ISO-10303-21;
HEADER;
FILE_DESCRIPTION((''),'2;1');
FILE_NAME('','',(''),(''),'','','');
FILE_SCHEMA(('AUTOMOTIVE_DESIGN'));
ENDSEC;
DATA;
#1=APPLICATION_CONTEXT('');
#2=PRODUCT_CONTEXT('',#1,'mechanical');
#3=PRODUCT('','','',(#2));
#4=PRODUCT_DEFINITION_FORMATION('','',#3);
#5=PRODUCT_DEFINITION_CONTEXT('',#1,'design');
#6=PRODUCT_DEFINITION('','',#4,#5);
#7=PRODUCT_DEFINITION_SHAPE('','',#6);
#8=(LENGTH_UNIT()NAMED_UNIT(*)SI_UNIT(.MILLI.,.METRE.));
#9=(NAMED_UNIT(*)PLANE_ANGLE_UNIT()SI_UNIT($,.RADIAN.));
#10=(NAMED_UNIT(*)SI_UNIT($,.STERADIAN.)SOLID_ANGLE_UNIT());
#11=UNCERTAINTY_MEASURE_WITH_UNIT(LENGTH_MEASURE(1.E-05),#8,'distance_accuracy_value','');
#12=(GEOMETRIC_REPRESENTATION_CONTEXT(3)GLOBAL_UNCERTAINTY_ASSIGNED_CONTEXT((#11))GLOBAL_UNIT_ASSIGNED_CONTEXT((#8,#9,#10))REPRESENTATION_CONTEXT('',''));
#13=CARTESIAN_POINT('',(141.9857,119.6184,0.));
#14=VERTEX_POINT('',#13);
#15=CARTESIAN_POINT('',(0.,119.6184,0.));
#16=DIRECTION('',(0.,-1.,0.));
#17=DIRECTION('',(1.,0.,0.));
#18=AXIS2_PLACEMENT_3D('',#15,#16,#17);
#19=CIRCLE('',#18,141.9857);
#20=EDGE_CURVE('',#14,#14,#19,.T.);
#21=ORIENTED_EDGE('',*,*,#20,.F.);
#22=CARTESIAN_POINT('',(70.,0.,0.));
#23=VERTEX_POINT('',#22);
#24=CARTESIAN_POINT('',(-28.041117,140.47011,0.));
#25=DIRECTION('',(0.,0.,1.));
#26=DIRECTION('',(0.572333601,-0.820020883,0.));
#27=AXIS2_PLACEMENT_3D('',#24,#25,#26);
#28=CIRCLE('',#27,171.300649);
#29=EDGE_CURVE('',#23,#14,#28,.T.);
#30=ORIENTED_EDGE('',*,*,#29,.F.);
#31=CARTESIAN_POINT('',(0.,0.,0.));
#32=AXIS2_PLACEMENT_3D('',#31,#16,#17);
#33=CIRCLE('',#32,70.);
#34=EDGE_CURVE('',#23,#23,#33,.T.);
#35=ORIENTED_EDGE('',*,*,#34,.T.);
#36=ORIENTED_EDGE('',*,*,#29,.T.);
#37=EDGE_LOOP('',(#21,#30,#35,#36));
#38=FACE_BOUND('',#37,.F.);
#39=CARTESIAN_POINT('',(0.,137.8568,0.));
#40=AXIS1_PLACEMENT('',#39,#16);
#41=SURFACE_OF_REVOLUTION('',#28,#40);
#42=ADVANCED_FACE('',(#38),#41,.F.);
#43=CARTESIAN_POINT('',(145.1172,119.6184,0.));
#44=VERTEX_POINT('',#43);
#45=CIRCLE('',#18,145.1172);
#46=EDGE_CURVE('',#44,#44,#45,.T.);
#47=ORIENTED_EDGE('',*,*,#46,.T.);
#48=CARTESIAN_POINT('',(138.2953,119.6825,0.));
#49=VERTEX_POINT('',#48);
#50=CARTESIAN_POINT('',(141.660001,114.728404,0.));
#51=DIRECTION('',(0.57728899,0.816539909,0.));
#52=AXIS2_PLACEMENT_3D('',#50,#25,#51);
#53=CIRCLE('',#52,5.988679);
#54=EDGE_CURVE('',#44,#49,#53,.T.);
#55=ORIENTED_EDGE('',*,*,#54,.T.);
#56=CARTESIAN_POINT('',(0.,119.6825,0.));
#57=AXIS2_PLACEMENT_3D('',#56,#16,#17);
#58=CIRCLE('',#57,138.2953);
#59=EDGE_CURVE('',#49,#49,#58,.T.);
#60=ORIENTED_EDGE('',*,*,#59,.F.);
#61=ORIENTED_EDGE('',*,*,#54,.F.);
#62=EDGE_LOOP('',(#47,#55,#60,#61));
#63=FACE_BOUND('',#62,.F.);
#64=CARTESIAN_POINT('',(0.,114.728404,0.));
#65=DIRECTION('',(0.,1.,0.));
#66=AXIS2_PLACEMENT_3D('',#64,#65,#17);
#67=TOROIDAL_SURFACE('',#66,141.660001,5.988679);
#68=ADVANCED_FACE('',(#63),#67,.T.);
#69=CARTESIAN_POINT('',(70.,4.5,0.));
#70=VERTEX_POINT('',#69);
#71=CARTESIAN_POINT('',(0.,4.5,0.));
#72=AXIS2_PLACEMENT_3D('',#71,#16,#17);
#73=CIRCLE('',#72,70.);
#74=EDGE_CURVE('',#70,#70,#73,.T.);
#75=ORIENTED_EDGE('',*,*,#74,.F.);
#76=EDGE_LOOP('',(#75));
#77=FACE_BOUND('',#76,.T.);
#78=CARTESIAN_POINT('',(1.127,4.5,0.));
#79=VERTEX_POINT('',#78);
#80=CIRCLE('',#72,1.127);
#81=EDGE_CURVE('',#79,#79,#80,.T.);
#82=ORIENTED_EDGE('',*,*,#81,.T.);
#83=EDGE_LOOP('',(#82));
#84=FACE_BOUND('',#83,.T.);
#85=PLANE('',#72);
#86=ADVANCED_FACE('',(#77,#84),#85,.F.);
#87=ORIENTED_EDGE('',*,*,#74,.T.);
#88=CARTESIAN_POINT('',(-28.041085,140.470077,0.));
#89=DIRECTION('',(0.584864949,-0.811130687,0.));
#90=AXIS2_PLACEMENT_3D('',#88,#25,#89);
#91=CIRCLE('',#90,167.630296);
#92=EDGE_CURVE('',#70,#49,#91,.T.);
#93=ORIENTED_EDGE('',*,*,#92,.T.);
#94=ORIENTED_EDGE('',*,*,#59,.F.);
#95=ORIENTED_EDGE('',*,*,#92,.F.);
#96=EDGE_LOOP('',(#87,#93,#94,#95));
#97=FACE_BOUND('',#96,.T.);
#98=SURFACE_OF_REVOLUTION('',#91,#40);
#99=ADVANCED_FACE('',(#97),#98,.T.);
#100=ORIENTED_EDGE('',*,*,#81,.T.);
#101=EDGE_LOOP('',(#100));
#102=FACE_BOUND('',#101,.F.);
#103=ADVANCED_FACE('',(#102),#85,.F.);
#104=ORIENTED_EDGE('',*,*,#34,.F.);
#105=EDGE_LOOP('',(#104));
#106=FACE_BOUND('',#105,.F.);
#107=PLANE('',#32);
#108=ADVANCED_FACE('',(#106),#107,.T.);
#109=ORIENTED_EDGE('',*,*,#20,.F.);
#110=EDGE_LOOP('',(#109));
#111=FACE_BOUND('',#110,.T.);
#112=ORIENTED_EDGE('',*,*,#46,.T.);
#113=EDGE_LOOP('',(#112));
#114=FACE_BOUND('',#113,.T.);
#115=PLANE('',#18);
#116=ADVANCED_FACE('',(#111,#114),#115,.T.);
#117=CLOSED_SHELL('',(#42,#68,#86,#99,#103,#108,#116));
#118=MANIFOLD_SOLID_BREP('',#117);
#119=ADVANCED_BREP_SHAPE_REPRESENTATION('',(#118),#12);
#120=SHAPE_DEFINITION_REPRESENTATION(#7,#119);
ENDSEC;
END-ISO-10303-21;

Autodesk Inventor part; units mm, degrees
ref_plane "YZ Plane" through (0, 0, 0) normal (1, 0, 0) x (0, 1, 0)
ref_plane "XZ Plane" through (0, 0, 0) normal (0, 1, 0) x (-1, 0, 0)
ref_plane "XY Plane" through (0, 0, 0) normal (0, 0, 1) x (1, 0, 0)
sketch "Esquisse1" plane through (0, 0, 0) normal (0, 0, 1) x (1, 0, 0)
  line L0 (0, 0) -> (70, 0)
  line L1 (1.127, 4.5) -> (70, 4.5)
  arc A0 (70, 4.5) -> (138.2953, 119.6825) centre (-28.041, 140.47) ccw
  arc A1 (145.1172, 119.6184) -> (138.2953, 119.6825) centre (141.66, 114.7284) ccw
  line L2 (145.1172, 119.6184) -> (141.9857, 119.6184)
  arc A2 (70, 0) -> (141.9857, 119.6184) centre (-28.041, 140.47) ccw
  line L3 (1.127, 4.5) -> (0, 4.5)
  line L4 (0, 4.5) -> (0, 0)
  line L5 (0, 137.8568) -> (0, -38.4638)
  dimension "d0" = 70
  dimension "d3" = 4.5
  dimension "d4" = 70
revolve "Révolution1" add sketch "Esquisse1" angle 360 about axis through (0, 137.8568, 0) along (0, -1, 0)
